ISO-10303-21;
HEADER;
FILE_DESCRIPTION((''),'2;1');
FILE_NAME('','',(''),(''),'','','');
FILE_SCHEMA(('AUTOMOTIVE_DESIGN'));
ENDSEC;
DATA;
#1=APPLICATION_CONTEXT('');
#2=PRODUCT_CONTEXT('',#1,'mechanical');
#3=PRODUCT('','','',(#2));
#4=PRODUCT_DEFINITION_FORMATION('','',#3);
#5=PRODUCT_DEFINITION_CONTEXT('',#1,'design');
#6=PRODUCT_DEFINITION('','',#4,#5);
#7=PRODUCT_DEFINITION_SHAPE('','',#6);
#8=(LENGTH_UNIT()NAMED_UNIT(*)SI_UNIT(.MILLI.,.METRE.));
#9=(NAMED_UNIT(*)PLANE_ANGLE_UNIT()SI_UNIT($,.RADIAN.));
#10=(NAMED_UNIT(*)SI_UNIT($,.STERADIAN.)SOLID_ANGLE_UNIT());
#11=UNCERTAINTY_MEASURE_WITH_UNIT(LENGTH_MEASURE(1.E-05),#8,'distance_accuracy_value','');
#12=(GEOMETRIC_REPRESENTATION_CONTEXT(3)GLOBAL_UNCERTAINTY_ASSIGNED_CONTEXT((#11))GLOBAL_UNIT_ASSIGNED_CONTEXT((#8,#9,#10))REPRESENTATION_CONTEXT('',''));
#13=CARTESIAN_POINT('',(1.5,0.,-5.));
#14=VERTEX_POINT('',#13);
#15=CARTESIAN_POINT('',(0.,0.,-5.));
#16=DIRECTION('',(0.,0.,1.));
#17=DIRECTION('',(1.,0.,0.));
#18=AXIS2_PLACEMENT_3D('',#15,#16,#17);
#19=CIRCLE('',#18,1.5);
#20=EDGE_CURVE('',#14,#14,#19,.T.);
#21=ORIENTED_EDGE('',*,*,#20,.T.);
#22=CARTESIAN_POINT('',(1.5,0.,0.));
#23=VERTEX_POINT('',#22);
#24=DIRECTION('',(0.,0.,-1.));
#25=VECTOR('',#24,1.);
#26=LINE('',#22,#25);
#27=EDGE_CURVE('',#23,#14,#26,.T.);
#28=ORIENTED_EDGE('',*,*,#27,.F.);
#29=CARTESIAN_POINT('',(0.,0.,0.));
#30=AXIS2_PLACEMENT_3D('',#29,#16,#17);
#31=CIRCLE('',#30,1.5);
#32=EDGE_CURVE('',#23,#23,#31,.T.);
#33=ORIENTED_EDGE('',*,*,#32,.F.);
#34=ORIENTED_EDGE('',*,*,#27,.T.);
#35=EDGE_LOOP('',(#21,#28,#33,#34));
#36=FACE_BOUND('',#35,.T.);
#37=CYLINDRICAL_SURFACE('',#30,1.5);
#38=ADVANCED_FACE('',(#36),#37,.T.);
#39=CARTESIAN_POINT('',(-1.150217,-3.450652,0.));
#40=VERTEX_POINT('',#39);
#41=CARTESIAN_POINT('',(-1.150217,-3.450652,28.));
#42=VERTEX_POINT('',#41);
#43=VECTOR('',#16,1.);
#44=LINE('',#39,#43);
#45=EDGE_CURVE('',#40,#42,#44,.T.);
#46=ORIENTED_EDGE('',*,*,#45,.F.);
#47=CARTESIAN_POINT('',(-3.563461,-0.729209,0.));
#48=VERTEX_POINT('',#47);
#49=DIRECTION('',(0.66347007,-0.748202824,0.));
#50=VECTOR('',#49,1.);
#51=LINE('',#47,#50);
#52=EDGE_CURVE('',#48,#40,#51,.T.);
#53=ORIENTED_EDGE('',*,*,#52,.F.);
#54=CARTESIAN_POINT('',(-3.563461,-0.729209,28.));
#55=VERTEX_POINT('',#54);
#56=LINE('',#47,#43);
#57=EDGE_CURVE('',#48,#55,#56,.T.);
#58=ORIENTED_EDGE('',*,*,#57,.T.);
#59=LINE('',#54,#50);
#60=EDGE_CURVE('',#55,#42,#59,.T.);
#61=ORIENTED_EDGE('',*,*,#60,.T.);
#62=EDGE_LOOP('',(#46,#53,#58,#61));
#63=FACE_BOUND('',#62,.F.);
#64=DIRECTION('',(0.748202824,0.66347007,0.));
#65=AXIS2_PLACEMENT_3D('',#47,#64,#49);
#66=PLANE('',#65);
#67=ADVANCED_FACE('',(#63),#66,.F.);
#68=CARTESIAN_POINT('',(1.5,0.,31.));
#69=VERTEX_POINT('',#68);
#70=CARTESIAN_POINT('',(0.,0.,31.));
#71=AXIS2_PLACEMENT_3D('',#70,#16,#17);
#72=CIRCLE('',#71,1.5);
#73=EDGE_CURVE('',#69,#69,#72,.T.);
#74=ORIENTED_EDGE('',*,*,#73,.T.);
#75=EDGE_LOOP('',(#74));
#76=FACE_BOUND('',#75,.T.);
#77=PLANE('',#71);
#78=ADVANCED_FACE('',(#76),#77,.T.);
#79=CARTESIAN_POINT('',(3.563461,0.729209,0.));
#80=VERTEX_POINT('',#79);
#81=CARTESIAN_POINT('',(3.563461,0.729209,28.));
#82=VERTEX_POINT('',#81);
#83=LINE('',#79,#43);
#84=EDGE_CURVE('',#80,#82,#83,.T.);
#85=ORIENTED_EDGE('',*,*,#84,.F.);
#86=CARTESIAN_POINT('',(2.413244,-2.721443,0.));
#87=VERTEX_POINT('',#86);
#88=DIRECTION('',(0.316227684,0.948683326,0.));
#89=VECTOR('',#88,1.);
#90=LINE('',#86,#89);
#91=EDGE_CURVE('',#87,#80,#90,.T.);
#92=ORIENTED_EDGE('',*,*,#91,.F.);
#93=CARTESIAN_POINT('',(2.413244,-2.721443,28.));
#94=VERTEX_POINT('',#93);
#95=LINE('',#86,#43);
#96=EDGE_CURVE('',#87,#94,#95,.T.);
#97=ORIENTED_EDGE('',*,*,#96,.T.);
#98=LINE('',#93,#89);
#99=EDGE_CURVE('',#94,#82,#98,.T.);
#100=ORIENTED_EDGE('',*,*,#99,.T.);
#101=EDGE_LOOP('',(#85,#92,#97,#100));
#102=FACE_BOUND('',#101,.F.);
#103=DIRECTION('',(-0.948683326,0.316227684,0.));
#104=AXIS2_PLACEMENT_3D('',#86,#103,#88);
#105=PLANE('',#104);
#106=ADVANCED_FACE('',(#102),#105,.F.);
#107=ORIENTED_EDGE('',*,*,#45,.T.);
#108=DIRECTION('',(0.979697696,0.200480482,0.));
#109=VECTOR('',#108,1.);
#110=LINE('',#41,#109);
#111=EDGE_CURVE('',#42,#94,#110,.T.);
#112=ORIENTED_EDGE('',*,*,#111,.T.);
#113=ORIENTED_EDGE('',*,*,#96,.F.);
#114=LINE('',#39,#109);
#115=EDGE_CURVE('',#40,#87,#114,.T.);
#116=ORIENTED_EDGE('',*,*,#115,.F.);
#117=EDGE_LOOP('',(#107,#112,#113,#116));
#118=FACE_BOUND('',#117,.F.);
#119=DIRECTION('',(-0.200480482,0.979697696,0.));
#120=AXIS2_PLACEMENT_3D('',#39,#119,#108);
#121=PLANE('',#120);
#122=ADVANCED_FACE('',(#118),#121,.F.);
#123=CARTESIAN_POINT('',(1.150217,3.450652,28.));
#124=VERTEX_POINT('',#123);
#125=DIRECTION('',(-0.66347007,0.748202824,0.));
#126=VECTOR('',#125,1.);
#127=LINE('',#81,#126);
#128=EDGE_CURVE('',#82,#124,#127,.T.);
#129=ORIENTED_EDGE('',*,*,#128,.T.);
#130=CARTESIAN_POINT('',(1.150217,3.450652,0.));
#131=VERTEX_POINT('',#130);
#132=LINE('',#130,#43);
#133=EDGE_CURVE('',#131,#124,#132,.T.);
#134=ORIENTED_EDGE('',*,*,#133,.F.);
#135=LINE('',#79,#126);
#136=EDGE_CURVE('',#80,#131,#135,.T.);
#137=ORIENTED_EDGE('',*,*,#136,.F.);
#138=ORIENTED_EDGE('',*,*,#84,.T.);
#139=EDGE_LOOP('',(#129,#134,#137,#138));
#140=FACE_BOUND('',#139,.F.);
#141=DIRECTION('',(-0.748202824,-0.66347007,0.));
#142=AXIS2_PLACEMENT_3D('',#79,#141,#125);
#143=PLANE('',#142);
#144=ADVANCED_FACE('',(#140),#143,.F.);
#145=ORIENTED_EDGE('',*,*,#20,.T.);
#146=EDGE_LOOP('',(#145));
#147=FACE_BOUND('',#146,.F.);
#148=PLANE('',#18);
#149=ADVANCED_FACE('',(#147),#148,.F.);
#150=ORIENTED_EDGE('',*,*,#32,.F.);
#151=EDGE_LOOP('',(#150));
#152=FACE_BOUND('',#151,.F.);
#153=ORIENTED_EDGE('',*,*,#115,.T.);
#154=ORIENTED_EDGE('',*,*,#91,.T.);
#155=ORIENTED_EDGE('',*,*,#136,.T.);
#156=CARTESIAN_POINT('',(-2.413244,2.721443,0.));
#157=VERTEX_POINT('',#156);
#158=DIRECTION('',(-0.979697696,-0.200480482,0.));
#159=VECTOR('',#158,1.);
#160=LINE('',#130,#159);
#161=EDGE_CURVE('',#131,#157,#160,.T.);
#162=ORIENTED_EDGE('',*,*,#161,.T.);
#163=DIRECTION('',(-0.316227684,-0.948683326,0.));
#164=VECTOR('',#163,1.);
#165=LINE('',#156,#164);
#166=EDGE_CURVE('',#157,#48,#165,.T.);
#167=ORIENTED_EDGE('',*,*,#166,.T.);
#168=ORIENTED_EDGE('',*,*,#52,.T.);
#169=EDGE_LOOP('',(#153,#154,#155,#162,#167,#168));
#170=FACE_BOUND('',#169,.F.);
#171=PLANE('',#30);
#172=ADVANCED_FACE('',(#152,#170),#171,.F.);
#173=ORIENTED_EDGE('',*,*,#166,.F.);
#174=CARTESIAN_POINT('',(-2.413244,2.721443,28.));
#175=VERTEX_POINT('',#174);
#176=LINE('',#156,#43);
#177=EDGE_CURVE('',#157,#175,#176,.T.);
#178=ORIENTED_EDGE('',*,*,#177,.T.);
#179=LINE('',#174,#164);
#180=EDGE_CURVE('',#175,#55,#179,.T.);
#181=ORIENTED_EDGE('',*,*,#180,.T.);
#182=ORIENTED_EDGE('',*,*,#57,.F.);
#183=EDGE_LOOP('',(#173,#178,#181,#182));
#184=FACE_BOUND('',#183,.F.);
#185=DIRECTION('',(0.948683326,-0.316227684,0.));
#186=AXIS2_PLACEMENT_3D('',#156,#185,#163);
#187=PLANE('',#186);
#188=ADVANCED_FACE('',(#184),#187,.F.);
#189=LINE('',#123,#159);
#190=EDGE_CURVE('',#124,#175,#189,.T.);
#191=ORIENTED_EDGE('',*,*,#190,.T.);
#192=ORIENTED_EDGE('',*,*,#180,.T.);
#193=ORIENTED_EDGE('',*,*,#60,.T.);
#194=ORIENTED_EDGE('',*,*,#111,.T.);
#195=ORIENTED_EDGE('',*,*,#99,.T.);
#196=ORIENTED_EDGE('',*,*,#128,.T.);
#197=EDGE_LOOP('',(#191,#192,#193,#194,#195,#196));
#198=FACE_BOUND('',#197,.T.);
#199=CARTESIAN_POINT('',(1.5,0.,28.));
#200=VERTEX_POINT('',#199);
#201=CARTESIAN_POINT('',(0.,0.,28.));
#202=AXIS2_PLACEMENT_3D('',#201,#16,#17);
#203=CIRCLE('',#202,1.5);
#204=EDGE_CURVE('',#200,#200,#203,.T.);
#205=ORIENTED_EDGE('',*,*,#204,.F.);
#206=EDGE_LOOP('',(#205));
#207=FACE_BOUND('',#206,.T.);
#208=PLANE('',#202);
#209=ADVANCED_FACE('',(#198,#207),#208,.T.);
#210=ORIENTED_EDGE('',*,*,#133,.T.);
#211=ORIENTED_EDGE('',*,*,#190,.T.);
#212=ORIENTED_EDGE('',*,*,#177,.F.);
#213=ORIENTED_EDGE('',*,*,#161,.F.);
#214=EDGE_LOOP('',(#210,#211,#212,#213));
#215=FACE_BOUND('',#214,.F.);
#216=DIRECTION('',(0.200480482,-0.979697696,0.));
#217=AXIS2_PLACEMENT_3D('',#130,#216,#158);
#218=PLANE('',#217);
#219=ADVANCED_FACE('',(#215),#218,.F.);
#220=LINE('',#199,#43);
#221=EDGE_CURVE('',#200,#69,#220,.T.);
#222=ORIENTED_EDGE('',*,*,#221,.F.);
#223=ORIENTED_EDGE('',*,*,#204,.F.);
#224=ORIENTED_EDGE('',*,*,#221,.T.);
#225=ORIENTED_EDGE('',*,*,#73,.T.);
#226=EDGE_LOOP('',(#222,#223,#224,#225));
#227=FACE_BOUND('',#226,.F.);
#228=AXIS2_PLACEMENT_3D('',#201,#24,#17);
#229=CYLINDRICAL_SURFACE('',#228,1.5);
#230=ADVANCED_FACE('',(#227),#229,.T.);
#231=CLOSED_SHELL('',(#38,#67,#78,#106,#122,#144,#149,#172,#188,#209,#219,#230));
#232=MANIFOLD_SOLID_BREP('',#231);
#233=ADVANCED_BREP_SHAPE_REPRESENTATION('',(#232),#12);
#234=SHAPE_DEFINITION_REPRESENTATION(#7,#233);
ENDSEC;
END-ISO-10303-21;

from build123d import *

# Parameters (mm, degrees)
F0_R     = 1.5
F1_DEPTH = 28
F2_DEPTH = 5
F3_R     = 1.5
F4_DEPTH = 3


with BuildPart() as f1:
    # F0 (on Top) → F1 (new body)
    with BuildSketch(Plane.XY):
        Polygon((2.413244, -2.721443), (3.563461, 0.729209), (1.150217, 3.450652), (-2.413244, 2.721443), (-3.563461, -0.729209), (-1.150217, -3.450652), align=None)
        Circle(F0_R, mode=Mode.SUBTRACT)
        Circle(F0_R)
    extrude(amount=F1_DEPTH)

    # F0 (on Top) → F2 (join)
    with BuildSketch(Plane.XY):
        Circle(F0_R)
    extrude(amount=-F2_DEPTH)

    # F3 (on face) → F4 (join)
    with BuildSketch(Plane.XY.offset(28)):
        Circle(F3_R)
    extrude(amount=F4_DEPTH)


solid = f1.part
